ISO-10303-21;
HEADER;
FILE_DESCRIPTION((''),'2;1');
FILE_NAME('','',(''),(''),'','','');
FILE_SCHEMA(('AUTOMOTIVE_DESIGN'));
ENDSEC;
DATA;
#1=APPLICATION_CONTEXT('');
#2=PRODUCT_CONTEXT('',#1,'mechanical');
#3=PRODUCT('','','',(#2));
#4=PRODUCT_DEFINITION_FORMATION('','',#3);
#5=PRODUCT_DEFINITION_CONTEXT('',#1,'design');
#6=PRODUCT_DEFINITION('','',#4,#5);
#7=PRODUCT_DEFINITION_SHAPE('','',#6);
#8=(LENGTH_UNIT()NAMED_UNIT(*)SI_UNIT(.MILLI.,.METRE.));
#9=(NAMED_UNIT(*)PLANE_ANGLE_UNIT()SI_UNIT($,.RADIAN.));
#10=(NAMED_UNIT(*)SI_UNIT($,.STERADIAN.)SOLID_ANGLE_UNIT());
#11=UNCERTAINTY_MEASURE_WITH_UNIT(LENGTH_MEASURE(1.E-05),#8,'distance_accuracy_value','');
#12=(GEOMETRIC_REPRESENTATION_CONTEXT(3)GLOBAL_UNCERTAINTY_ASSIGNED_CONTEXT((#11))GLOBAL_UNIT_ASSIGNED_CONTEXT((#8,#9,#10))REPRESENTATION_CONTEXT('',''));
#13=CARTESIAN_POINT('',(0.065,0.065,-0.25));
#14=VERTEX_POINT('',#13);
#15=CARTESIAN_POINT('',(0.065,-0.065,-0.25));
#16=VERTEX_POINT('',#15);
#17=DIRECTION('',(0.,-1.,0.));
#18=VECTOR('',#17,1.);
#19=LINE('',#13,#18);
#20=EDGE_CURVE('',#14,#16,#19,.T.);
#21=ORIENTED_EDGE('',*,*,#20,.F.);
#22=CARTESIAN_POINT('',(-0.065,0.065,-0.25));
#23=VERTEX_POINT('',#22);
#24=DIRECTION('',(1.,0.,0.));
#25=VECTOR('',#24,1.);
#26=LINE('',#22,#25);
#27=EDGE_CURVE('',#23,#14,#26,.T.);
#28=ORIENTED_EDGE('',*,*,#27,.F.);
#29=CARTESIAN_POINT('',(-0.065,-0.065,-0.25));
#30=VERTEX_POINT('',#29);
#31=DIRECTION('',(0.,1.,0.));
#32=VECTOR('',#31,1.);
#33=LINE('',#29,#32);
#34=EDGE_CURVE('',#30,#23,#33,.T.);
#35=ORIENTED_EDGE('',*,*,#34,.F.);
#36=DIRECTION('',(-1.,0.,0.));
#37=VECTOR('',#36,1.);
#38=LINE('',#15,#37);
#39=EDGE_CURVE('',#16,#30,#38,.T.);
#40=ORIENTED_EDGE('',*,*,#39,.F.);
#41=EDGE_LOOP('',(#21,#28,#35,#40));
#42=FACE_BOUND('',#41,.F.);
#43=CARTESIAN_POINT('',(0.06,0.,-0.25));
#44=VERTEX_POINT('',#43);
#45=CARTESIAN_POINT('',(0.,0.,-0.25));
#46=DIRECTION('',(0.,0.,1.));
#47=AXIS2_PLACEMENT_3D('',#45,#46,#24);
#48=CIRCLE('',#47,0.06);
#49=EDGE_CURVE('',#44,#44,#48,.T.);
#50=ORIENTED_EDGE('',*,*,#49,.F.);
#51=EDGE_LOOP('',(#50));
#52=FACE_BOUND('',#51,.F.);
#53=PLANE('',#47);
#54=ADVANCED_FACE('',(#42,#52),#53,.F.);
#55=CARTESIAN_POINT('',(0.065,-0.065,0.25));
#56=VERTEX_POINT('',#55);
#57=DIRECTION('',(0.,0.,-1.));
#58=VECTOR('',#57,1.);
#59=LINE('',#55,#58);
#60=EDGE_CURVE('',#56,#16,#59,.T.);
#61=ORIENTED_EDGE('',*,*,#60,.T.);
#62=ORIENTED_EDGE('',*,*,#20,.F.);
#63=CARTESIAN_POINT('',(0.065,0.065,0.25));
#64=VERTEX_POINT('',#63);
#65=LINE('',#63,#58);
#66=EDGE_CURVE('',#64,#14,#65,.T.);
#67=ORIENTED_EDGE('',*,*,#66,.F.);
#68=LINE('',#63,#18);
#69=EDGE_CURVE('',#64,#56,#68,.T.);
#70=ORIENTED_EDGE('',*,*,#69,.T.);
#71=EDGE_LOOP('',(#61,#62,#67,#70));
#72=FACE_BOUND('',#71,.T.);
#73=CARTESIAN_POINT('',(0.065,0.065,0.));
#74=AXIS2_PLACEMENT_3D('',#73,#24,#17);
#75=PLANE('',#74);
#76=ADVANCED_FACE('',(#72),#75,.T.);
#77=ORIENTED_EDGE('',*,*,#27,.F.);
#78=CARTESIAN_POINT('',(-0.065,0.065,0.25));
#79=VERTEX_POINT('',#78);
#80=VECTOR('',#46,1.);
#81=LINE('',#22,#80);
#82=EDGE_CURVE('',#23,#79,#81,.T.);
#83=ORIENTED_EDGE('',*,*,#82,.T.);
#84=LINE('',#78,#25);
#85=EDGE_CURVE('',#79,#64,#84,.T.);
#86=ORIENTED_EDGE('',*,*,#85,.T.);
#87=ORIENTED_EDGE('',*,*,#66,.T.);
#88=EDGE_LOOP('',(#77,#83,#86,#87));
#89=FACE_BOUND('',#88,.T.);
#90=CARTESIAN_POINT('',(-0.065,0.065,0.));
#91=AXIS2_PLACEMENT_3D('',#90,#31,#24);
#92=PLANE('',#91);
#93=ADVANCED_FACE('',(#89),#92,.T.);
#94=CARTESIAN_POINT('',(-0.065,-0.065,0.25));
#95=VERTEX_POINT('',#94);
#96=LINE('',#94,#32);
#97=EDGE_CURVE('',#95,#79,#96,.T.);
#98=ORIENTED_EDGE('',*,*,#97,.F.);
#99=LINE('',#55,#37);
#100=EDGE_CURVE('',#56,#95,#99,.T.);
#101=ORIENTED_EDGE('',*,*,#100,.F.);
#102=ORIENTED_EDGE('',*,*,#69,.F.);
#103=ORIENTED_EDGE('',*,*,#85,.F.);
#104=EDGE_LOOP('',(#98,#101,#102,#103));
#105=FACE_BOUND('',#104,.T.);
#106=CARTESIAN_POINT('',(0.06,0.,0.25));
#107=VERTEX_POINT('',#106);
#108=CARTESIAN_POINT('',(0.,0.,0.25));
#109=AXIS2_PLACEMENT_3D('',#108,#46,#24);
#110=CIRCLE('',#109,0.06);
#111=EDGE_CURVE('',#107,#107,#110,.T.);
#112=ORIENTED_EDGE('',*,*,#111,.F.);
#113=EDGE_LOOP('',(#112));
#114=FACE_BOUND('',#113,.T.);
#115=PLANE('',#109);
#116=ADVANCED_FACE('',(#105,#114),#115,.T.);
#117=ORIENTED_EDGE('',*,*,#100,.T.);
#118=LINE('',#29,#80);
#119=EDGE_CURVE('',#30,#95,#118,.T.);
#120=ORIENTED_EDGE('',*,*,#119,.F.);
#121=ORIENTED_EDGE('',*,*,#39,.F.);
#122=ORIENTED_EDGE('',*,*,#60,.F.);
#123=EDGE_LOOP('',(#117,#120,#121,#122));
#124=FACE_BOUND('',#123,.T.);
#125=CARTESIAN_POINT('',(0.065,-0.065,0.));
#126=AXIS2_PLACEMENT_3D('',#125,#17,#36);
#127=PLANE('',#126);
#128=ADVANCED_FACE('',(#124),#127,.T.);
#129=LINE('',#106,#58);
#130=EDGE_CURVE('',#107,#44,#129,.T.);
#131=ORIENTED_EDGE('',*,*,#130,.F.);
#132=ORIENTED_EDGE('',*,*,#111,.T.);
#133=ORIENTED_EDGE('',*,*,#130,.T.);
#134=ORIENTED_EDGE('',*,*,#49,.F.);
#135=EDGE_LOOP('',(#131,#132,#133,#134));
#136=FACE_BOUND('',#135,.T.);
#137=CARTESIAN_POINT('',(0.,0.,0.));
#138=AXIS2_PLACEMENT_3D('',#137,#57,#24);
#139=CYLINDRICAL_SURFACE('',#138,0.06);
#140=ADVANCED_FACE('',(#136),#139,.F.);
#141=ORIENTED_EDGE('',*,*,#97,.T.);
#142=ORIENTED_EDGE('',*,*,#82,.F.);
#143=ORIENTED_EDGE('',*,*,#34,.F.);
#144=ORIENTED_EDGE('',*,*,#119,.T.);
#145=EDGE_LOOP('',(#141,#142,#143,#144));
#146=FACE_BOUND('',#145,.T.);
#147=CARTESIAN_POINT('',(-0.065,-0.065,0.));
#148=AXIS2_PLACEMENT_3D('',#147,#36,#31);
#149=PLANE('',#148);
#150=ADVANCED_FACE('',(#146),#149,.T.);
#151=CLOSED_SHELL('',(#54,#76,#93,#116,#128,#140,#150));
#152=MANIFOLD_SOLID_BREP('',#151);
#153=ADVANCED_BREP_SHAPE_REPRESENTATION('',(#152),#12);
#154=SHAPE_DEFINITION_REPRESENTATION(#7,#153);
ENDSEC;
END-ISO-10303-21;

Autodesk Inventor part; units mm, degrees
ref_plane "YZ Plane" through (0, 0, 0) normal (1, 0, 0) x (0, 1, 0)
ref_plane "XZ Plane" through (0, 0, 0) normal (0, 1, 0) x (-1, 0, 0)
ref_plane "XY Plane" through (0, 0, 0) normal (0, 0, 1) x (1, 0, 0)
sketch "Sketch1" plane through (0, 0, 0) normal (0, 0, 1) x (1, 0, 0)
  circle A0 centre (0, 0) radius 0.06
  line L0 (-0.065, 0.065) -> (0.065, 0.065)
  line L1 (0.065, 0.065) -> (0.065, -0.065)
  line L2 (0.065, -0.065) -> (-0.065, -0.065)
  line L3 (-0.065, -0.065) -> (-0.065, 0.065)
  line L4 (-0.065, 0.065) -> (0.065, -0.065) construction
  line L5 (0.065, 0.065) -> (-0.065, -0.065) construction
  dimension "d0" = 0.12
  dimension "d2" = 0.13
extrude "Extrusion1" add sketch "Sketch1" along normal mid plane 0.5
properties part number "beam_pipe"
